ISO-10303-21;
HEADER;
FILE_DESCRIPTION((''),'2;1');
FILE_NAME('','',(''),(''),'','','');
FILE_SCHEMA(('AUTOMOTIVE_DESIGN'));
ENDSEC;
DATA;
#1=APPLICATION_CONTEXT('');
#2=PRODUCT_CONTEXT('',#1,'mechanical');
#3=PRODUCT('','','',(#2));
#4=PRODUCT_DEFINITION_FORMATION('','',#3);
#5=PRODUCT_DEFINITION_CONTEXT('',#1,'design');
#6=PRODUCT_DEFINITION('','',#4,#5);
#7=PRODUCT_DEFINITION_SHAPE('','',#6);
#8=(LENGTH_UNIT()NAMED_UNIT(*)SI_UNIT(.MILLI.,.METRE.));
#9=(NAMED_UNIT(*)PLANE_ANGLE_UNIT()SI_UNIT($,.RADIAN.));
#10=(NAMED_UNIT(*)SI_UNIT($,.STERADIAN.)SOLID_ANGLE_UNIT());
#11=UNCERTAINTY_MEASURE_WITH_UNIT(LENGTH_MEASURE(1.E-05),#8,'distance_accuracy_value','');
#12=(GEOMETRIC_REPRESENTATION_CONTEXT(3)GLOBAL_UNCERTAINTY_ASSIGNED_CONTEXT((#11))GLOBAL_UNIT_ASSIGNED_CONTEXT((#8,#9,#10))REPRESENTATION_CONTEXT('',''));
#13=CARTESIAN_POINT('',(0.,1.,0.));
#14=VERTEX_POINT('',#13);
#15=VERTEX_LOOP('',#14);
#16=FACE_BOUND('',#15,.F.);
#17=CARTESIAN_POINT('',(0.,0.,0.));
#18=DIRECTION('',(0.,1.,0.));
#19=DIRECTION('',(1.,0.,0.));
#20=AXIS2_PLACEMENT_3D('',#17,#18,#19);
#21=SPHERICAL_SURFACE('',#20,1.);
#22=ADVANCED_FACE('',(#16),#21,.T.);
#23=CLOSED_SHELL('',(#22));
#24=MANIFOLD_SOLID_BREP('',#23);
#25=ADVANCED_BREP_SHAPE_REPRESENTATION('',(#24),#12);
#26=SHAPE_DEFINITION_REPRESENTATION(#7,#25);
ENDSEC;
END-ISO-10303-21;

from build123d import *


with BuildPart() as part:
    # Çizim1 → Döndür1 (revolve)
    with BuildSketch(Plane.XY):
        with BuildLine():
            Line((0, 1), (0, -1))
            ThreePointArc((0, -1), (1, 0), (0, 1))
        make_face()
    revolve(axis=Axis((0, 1, 0), (0, -1, 0)))


solid = part.part
